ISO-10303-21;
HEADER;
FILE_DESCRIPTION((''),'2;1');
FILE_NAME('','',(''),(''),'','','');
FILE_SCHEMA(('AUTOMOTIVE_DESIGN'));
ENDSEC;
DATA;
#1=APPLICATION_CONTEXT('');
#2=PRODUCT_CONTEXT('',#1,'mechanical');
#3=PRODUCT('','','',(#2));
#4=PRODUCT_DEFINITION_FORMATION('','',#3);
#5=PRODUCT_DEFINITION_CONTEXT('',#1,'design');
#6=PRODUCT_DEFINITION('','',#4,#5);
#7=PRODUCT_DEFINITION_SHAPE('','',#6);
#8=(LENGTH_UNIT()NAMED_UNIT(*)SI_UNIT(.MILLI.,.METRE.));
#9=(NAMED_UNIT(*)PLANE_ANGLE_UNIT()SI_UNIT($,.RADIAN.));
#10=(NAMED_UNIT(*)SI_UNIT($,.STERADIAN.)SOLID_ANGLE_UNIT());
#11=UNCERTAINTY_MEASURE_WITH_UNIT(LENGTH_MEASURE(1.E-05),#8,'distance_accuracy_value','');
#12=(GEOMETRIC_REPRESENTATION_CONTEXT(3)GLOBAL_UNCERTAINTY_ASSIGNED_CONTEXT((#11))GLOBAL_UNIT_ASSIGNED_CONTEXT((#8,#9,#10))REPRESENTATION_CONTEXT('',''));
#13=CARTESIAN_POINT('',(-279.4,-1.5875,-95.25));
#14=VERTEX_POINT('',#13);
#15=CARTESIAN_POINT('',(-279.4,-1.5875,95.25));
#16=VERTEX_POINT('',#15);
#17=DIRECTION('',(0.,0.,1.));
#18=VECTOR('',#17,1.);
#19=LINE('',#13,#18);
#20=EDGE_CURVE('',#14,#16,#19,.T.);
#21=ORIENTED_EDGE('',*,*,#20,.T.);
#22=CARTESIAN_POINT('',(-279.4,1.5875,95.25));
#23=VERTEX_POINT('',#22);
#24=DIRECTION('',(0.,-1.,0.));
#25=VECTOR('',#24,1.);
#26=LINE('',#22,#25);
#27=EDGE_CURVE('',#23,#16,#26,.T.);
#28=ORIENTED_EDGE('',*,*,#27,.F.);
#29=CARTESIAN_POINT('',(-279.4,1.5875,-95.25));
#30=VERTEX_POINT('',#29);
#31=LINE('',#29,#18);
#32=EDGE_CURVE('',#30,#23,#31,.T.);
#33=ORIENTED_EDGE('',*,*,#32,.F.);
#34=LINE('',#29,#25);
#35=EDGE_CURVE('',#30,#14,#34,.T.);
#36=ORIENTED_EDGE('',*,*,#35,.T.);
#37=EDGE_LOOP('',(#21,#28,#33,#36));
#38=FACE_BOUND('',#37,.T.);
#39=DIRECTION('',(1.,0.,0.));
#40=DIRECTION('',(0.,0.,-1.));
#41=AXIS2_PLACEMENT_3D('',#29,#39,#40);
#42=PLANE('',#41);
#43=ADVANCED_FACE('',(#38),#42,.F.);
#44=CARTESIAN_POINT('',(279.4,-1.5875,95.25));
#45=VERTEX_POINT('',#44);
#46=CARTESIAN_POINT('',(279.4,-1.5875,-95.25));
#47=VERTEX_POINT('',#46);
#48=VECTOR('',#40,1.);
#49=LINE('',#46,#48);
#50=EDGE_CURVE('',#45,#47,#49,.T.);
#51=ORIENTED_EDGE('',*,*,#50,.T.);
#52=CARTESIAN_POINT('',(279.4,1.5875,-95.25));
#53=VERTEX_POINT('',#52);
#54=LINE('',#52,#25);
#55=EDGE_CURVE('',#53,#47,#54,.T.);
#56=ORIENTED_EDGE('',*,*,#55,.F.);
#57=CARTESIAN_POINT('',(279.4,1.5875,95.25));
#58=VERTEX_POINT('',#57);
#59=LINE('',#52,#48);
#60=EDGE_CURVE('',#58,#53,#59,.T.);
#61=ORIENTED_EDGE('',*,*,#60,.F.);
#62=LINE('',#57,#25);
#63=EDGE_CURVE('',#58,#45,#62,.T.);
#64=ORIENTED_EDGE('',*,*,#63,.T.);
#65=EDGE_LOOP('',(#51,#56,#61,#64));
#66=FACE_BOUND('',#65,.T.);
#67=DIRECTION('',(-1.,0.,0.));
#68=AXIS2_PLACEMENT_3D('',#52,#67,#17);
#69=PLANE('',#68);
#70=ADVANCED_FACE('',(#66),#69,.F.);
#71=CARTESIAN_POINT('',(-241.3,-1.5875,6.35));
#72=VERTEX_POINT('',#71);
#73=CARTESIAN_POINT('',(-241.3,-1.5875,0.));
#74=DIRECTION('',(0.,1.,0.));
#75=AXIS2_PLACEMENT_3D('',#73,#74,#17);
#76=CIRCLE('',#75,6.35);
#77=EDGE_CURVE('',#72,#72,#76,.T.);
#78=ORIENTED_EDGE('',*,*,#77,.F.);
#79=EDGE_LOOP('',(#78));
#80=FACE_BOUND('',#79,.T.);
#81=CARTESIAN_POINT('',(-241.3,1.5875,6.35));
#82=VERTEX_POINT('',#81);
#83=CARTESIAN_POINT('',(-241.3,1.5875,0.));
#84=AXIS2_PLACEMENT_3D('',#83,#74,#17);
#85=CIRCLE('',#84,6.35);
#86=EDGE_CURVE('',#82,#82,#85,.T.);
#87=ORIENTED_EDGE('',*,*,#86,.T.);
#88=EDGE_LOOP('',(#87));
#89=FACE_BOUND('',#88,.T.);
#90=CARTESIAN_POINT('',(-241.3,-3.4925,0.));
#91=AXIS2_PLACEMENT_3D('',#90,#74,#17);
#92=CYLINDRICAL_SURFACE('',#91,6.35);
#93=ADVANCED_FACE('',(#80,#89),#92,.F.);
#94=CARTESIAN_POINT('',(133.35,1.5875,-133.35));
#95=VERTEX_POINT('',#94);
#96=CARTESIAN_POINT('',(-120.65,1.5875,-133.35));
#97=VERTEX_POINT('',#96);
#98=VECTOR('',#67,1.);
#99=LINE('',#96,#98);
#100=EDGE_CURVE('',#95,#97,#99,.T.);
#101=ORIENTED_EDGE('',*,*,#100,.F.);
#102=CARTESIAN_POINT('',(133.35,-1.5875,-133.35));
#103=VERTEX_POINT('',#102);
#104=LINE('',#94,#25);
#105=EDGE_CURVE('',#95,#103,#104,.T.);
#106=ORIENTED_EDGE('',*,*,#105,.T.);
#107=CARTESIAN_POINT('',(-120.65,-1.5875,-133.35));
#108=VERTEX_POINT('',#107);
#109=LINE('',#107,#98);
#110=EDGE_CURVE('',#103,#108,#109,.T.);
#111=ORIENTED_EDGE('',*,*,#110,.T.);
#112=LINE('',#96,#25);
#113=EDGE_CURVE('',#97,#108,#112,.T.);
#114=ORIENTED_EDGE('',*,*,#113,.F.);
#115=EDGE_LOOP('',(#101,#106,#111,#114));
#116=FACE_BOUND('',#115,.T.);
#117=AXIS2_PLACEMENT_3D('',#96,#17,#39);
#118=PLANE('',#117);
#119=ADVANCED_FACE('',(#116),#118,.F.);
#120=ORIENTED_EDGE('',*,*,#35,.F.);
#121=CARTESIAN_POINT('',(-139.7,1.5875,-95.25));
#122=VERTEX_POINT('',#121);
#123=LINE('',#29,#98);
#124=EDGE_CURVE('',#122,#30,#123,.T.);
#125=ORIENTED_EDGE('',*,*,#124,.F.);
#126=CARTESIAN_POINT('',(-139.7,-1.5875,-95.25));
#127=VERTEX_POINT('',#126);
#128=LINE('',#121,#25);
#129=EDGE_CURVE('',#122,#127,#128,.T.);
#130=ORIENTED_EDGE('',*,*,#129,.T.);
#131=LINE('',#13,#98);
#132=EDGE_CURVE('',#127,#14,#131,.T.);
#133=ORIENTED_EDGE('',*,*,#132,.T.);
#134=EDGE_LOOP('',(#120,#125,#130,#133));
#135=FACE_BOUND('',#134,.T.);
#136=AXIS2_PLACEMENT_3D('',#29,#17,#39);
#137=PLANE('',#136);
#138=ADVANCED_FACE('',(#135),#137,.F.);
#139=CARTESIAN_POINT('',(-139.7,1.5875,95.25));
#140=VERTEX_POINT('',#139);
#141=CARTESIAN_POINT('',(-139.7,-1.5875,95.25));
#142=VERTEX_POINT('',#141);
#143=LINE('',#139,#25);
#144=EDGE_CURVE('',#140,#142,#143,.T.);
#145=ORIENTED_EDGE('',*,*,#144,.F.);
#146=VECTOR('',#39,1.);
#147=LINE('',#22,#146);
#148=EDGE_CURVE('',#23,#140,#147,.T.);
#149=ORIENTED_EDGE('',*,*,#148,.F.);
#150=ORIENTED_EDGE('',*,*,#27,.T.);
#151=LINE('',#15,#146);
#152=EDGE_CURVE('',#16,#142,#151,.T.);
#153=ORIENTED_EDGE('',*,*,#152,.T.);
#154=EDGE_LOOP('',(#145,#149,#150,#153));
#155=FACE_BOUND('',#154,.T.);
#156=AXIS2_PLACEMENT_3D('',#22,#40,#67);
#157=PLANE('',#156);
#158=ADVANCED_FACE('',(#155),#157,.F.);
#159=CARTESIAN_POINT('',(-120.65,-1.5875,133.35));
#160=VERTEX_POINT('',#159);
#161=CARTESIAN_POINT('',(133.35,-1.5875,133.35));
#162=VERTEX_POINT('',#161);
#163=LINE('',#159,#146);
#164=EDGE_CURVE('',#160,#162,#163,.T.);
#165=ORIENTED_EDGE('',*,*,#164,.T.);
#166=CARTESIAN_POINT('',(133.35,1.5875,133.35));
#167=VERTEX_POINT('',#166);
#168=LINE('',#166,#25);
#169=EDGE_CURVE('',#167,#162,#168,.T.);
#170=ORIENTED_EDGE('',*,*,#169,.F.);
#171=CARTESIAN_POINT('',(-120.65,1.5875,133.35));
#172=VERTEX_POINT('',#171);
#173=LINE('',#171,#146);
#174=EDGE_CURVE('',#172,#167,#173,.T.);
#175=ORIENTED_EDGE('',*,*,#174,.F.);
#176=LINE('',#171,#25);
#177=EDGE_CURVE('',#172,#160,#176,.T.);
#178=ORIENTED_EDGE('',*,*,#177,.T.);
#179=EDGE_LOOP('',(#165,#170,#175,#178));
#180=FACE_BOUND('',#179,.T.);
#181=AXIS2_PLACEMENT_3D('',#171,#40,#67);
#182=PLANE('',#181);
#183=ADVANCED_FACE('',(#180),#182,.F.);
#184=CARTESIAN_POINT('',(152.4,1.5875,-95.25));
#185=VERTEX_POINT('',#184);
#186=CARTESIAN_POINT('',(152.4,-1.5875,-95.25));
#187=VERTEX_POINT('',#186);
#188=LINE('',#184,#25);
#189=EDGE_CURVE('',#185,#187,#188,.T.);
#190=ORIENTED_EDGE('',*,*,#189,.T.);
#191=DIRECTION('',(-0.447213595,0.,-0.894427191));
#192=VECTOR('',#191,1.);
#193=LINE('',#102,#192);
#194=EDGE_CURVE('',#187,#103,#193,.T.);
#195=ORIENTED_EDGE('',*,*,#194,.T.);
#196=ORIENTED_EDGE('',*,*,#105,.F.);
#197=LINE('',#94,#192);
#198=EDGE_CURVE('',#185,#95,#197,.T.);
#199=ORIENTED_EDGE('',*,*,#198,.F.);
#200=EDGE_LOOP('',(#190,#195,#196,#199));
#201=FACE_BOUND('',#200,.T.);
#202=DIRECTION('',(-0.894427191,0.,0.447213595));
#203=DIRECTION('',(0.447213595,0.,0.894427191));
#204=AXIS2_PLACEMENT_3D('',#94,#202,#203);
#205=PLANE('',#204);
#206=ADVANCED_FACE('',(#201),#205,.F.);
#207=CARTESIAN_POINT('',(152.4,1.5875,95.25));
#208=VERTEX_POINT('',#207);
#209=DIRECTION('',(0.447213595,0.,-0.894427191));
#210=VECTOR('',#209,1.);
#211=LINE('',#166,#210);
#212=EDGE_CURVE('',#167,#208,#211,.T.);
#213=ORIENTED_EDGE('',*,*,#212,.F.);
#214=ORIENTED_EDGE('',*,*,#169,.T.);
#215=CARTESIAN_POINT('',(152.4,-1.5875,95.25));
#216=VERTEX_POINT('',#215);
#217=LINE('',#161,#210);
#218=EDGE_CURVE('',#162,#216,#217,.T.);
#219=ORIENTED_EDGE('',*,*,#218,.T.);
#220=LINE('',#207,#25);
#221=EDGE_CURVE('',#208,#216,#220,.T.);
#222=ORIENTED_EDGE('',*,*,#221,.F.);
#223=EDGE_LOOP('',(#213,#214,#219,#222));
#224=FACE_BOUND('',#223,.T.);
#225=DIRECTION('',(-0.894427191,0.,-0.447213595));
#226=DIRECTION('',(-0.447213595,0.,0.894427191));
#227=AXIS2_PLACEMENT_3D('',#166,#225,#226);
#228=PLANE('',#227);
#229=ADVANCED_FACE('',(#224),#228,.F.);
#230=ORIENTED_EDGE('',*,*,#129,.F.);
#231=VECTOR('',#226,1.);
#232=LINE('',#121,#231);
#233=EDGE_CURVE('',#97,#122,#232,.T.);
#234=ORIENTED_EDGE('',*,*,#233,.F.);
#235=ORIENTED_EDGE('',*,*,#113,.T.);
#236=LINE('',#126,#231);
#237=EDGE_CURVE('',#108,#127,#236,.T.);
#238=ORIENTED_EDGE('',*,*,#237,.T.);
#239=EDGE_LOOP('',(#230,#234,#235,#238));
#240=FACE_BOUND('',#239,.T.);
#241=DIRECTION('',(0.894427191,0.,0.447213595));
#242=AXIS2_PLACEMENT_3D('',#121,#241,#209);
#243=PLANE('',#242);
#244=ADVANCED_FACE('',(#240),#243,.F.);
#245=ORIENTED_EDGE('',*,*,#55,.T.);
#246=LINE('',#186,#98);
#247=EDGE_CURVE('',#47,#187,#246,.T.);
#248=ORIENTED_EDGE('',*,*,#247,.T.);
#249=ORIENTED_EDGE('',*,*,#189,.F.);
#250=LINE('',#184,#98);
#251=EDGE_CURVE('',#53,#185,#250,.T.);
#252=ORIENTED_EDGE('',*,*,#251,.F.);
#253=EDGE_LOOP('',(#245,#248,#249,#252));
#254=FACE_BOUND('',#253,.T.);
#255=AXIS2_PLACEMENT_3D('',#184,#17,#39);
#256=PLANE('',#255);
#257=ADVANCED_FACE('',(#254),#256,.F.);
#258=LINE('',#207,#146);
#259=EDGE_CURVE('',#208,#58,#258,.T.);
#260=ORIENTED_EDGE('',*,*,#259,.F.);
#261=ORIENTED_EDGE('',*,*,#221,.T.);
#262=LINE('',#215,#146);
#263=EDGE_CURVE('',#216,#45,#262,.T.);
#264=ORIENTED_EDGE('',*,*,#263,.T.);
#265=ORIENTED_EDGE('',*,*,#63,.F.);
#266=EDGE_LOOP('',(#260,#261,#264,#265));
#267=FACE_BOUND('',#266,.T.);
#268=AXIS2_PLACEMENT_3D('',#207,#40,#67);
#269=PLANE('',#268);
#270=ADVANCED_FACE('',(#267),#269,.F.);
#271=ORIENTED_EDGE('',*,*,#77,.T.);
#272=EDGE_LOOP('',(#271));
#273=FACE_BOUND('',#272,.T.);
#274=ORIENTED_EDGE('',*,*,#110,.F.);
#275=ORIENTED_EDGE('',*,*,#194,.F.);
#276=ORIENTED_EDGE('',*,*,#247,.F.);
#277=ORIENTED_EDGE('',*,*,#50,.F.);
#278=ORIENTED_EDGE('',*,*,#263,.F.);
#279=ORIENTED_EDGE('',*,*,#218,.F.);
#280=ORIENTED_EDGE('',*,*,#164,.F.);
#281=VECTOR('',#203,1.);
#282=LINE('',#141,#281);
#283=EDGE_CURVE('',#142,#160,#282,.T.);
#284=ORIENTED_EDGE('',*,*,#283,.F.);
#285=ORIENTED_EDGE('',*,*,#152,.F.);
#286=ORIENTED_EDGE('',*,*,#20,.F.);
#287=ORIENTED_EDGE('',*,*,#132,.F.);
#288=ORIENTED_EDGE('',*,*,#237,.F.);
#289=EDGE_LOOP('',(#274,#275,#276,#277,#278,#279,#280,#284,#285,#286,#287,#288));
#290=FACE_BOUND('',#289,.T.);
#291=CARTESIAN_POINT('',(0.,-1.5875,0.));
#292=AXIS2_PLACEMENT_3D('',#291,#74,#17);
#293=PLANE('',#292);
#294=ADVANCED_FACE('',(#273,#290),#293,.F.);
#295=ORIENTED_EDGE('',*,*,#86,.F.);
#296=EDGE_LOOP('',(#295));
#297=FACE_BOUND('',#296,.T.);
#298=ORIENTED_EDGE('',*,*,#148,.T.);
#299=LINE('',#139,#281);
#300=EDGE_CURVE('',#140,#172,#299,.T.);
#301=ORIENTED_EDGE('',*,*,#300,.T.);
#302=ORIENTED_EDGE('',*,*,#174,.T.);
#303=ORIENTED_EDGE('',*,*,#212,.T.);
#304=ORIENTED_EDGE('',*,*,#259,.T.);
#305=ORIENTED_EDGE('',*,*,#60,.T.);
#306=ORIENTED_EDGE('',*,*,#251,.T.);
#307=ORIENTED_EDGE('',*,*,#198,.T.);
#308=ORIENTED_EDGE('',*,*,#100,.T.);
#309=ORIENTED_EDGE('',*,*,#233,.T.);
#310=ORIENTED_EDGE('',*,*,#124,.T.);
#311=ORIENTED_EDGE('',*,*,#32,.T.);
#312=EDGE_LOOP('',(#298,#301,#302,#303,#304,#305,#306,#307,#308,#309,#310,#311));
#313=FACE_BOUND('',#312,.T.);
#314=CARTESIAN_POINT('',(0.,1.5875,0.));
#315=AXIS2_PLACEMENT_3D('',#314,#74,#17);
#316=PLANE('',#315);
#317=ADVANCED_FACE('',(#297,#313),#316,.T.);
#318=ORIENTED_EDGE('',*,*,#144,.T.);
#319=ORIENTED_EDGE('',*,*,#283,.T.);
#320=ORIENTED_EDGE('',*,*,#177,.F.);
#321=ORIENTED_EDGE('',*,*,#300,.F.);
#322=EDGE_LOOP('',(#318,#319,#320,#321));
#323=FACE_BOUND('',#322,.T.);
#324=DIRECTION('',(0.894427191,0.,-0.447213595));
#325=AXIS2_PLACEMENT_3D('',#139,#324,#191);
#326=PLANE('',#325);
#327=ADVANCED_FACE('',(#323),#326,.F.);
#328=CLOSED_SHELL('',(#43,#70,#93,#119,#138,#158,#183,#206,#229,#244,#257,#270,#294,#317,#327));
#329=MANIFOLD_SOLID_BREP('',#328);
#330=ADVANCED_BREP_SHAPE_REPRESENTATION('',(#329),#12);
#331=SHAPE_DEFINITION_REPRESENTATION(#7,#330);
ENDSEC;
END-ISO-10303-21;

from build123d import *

# Parameters (mm, degrees)
BOSS_EXTRUDE1_DEPTH = 1.5875
SKETCH8_R           = 6.35
CUT_EXTRUDE1_DEPTH  = 5.08


with BuildPart() as part:
    # Sketch3 → Boss-Extrude1 (new body, symmetric)
    with BuildSketch(Plane(origin=(0, 0, 0), x_dir=(1, 0, 0), z_dir=(0, 1, 0))):
        Polygon((-279.4, 95.25), (-139.7, 95.25), (-120.65, 133.35), (133.35, 133.35), (152.4, 95.25), (279.4, 95.25), (279.4, -95.25), (152.4, -95.25), (133.35, -133.35), (-120.65, -133.35), (-139.7, -95.25), (-279.4, -95.25), align=None)
    extrude(amount=BOSS_EXTRUDE1_DEPTH, both=True)

    # Sketch8 → Cut-Extrude1 (cut)
    with BuildSketch(Plane(origin=(0, 1.5875, 0), x_dir=(1, 0, 0), z_dir=(0, 1, 0))):
        with Locations((-241.3, 0)):
            Circle(SKETCH8_R)
    extrude(amount=-CUT_EXTRUDE1_DEPTH, mode=Mode.SUBTRACT)


solid = part.part
